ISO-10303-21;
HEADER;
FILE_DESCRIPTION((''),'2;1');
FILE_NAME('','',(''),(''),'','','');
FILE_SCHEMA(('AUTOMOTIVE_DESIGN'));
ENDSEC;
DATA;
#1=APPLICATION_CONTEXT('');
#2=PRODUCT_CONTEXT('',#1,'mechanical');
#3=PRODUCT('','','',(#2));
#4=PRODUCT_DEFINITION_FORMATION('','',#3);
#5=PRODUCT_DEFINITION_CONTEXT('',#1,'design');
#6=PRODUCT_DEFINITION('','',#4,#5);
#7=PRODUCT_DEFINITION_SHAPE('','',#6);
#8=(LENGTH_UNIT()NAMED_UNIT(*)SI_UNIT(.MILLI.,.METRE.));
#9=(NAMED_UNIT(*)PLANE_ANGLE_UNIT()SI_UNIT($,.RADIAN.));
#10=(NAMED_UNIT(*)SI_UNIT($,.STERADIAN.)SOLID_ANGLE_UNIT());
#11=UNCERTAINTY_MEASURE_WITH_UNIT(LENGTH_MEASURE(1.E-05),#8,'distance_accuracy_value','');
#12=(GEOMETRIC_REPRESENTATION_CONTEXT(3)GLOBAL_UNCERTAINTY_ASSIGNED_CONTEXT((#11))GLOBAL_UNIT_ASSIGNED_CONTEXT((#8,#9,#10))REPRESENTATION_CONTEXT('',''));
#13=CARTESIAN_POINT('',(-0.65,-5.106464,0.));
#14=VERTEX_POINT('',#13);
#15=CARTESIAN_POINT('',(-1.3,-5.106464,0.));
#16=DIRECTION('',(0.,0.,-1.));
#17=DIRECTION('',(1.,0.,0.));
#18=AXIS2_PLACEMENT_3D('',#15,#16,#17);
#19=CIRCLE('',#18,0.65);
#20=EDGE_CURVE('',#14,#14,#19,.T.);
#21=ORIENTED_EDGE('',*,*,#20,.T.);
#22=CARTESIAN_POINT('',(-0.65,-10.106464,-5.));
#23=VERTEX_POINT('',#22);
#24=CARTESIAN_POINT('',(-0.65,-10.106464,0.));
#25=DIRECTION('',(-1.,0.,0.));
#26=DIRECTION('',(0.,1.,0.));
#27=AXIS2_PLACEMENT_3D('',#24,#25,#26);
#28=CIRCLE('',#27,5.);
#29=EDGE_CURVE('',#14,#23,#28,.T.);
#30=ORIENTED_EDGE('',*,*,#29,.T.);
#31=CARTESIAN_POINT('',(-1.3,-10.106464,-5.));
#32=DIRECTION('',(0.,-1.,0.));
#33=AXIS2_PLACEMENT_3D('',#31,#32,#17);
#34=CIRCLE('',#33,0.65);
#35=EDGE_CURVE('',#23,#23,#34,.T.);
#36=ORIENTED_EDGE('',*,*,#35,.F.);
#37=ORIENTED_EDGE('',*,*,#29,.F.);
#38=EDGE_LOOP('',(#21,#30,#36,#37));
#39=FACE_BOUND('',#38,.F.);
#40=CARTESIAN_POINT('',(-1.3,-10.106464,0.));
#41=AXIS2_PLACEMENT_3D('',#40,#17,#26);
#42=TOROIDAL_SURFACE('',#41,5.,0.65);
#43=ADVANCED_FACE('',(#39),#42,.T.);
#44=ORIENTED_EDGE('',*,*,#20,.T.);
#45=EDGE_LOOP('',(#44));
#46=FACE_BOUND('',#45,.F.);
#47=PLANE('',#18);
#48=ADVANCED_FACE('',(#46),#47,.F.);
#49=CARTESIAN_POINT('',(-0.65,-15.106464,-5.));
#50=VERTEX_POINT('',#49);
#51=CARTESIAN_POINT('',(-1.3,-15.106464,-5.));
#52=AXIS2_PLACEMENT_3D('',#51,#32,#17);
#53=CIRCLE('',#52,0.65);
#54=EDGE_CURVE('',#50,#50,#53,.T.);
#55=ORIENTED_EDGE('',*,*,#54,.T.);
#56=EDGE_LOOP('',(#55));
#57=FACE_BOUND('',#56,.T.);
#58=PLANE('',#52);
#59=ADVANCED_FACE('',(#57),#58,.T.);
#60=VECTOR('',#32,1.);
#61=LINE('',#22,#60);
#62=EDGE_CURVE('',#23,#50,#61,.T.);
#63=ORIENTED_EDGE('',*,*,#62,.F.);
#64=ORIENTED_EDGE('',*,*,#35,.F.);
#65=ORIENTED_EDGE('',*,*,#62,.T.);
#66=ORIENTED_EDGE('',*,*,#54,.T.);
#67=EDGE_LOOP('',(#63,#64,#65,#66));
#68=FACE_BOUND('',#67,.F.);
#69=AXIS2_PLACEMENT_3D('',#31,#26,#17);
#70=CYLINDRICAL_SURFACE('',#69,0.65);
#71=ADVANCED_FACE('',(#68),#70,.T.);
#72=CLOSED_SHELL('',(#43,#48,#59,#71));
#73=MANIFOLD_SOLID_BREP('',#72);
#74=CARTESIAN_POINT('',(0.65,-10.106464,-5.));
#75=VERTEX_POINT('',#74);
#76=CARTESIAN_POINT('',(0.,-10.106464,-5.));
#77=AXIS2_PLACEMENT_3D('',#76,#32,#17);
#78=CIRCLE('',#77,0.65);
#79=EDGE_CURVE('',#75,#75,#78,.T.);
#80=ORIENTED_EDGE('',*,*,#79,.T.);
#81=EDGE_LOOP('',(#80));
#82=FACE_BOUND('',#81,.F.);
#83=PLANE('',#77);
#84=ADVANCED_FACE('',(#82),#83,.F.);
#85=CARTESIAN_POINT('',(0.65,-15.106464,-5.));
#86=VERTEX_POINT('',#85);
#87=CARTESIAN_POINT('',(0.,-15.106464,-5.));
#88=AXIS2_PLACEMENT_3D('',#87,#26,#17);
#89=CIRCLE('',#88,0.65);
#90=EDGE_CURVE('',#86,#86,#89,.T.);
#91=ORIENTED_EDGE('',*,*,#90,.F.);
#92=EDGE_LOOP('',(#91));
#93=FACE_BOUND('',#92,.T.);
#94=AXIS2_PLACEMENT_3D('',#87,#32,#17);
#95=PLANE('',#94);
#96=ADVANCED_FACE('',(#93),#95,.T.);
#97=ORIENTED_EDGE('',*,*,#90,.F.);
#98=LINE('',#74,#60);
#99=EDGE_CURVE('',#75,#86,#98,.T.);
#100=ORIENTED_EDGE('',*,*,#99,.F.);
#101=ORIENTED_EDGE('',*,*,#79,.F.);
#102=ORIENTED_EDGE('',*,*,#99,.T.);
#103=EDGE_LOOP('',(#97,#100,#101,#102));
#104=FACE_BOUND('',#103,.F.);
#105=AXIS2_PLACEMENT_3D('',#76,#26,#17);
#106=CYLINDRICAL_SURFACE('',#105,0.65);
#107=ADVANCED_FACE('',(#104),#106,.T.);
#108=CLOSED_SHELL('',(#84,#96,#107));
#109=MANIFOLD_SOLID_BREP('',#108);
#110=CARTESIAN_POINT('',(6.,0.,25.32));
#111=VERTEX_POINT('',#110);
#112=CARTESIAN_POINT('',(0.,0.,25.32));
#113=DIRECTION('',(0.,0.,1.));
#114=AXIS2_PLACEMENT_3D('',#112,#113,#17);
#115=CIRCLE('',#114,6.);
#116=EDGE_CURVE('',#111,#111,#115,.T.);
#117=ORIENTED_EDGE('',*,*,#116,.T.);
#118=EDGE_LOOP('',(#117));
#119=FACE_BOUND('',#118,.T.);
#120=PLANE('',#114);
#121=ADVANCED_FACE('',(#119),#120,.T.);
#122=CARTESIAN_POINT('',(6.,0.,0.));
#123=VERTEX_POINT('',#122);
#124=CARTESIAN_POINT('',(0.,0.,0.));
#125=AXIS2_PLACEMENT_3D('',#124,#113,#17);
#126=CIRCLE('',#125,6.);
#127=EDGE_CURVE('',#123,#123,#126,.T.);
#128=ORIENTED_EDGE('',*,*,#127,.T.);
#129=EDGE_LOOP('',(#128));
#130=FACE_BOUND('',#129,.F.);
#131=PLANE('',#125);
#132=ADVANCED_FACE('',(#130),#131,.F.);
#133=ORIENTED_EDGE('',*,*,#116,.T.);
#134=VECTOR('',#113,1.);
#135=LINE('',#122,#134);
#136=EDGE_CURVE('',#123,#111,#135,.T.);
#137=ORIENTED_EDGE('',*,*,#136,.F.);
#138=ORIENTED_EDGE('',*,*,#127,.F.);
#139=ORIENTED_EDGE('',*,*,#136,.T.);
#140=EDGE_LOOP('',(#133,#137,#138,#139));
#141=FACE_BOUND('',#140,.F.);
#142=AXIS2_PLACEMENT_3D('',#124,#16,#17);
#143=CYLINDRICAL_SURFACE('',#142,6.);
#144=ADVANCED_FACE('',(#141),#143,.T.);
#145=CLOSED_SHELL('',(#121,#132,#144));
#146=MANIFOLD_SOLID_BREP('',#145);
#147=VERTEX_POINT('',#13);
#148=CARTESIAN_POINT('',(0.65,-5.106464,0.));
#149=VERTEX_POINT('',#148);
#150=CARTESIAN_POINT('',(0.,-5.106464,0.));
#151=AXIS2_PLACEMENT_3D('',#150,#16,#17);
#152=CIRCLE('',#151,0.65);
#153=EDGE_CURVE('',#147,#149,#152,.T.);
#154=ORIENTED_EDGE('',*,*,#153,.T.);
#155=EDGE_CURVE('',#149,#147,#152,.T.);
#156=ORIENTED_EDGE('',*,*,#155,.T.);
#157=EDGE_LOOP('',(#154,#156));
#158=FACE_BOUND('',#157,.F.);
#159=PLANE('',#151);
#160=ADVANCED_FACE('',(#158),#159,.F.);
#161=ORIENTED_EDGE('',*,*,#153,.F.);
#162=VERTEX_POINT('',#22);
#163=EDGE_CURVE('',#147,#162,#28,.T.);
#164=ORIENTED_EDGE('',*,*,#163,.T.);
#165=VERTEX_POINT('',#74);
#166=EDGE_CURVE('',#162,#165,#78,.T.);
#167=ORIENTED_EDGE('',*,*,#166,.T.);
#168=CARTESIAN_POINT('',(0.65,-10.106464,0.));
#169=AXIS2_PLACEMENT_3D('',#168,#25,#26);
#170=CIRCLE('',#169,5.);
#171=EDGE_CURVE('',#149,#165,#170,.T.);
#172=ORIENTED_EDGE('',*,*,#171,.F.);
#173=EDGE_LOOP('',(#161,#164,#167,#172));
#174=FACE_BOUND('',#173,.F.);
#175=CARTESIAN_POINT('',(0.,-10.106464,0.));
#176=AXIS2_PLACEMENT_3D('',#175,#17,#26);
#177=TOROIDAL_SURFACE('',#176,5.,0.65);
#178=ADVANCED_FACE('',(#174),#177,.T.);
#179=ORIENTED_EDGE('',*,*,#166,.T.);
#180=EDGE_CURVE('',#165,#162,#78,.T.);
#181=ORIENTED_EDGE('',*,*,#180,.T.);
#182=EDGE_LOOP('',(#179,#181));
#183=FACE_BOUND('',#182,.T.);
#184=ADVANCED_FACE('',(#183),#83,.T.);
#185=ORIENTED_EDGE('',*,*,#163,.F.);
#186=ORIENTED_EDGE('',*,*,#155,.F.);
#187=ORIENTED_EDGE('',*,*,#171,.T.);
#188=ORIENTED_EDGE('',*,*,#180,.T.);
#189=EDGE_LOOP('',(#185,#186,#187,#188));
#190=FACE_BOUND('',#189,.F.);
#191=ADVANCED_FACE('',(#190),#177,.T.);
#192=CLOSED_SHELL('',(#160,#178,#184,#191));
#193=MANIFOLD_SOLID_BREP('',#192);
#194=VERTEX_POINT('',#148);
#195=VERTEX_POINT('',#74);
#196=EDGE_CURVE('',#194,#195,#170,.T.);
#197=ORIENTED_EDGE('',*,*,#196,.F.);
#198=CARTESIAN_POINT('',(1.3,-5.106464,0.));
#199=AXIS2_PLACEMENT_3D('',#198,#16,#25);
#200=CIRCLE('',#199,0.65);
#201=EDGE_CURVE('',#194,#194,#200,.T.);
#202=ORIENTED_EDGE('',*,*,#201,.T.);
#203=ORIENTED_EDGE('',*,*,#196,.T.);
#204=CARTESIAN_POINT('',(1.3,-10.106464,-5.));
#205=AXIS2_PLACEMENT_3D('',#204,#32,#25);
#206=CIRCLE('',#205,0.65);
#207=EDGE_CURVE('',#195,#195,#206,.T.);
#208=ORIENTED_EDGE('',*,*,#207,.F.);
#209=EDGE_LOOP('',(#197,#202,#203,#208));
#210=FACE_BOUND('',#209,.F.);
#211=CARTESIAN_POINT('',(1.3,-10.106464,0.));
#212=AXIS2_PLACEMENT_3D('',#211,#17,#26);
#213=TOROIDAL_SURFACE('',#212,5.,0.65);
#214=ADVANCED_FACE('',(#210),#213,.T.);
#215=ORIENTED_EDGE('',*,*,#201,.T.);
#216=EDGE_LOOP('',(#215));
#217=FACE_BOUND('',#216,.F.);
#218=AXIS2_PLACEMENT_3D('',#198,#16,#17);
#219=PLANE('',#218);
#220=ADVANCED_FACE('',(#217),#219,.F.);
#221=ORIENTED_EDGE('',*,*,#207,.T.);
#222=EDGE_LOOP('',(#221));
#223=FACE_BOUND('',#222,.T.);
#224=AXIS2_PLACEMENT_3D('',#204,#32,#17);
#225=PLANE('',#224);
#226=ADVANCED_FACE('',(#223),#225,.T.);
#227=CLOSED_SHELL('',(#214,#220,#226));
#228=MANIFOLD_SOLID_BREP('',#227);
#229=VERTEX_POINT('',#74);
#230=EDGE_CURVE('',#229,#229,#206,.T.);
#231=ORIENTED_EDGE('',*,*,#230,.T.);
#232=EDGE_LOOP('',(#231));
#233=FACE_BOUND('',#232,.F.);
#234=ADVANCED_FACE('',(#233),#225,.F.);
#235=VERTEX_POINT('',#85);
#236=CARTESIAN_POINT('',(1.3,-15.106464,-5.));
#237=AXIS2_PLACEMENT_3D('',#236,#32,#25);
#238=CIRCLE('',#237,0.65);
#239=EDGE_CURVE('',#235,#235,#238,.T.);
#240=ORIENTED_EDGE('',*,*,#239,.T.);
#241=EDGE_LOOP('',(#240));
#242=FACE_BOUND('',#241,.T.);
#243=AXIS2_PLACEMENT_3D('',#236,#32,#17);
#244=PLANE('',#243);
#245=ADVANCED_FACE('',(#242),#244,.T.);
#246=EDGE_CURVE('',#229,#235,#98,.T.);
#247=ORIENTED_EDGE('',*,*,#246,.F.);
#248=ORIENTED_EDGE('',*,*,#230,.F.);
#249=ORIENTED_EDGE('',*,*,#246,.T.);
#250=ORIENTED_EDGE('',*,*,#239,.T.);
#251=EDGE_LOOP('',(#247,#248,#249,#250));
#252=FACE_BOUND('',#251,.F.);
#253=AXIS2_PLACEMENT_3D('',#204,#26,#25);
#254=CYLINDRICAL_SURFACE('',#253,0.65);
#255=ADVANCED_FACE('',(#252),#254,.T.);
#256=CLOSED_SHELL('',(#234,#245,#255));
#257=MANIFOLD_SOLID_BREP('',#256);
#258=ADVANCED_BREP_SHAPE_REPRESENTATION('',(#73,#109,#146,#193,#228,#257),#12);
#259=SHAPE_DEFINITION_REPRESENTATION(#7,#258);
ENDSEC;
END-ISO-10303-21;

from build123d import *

# Parameters (mm, degrees)
F0_R     = 6
F1_DEPTH = 25.32
F3_ANGLE = 90
F2_R     = 0.65
F4_DEPTH = 5
F5_DEPTH = 5
F6_DEPTH = 5


with BuildPart() as f1:
    # F0 (on Top) → F1 (new body)
    with BuildSketch(Plane.XY):
        Circle(F0_R)
    extrude(amount=F1_DEPTH)


with BuildPart() as f3:
    # F2 (on face) → F3 (revolve)
    with BuildSketch(Plane(origin=(0, 0, 0), x_dir=(1, 0, 0), z_dir=(0, 0, -1))):
        with BuildLine():
            ThreePointArc((-0.65, 5.106464261), (0, 4.456464261), (0.65, 5.106464261))
            ThreePointArc((0.65, 5.106464261), (0, 5.756464261), (-0.65, 5.106464261))
        make_face()
    revolve(axis=Axis((1.5812861521, -10.106464261, 0), (-1, 0, 0)), revolution_arc=F3_ANGLE)



with BuildPart() as f3b:
    # F2 (on face) → F3, piece 2 (revolve)
    with BuildSketch(Plane(origin=(0, 0, 0), x_dir=(1, 0, 0), z_dir=(0, 0, -1))):
        with Locations((-1.3, 5.106464261)):
            Circle(F2_R)
    revolve(axis=Axis((1.5812861521, -10.106464261, 0), (-1, 0, 0)), revolution_arc=F3_ANGLE)


with BuildPart() as f3c:
    # F2 (on face) → F3, piece 3 (revolve)
    with BuildSketch(Plane(origin=(0, 0, 0), x_dir=(1, 0, 0), z_dir=(0, 0, -1))):
        with BuildLine():
            ThreePointArc((1.95, 5.106464261), (1.3, 5.756464261), (0.65, 5.106464261))
            ThreePointArc((0.65, 5.106464261), (1.3, 4.456464261), (1.95, 5.106464261))
        make_face()
    revolve(axis=Axis((1.5812861521, -10.106464261, 0), (-1, 0, 0)), revolution_arc=F3_ANGLE)


with BuildPart() as f3_1:
    add(f3.part)
    # F4 (add): a face of the model
    f4_faces = [f3b.part.faces().sort_by_distance(p)[0] for p in [
        (-1.3, -10.106464261, -5),
    ]]

    add(f3b.part)  # F4 merges F3b
    extrude(f4_faces, amount=F4_DEPTH)


with BuildPart() as f5:
    # F5 (new): a face of the model
    f5_faces = [f3_1.part.faces().sort_by_distance(p)[0] for p in [
        (0, -10.106464261, -5),
    ]]
    extrude(f5_faces, amount=F5_DEPTH)


with BuildPart() as f6:
    # F6 (new): a face of the model
    f6_faces = [f3c.part.faces().sort_by_distance(p)[0] for p in [
        (1.3, -10.106464261, -5),
    ]]
    extrude(f6_faces, amount=F6_DEPTH)


solid = Compound([f1.part, f3c.part, f3_1.part, f5.part, f6.part])
